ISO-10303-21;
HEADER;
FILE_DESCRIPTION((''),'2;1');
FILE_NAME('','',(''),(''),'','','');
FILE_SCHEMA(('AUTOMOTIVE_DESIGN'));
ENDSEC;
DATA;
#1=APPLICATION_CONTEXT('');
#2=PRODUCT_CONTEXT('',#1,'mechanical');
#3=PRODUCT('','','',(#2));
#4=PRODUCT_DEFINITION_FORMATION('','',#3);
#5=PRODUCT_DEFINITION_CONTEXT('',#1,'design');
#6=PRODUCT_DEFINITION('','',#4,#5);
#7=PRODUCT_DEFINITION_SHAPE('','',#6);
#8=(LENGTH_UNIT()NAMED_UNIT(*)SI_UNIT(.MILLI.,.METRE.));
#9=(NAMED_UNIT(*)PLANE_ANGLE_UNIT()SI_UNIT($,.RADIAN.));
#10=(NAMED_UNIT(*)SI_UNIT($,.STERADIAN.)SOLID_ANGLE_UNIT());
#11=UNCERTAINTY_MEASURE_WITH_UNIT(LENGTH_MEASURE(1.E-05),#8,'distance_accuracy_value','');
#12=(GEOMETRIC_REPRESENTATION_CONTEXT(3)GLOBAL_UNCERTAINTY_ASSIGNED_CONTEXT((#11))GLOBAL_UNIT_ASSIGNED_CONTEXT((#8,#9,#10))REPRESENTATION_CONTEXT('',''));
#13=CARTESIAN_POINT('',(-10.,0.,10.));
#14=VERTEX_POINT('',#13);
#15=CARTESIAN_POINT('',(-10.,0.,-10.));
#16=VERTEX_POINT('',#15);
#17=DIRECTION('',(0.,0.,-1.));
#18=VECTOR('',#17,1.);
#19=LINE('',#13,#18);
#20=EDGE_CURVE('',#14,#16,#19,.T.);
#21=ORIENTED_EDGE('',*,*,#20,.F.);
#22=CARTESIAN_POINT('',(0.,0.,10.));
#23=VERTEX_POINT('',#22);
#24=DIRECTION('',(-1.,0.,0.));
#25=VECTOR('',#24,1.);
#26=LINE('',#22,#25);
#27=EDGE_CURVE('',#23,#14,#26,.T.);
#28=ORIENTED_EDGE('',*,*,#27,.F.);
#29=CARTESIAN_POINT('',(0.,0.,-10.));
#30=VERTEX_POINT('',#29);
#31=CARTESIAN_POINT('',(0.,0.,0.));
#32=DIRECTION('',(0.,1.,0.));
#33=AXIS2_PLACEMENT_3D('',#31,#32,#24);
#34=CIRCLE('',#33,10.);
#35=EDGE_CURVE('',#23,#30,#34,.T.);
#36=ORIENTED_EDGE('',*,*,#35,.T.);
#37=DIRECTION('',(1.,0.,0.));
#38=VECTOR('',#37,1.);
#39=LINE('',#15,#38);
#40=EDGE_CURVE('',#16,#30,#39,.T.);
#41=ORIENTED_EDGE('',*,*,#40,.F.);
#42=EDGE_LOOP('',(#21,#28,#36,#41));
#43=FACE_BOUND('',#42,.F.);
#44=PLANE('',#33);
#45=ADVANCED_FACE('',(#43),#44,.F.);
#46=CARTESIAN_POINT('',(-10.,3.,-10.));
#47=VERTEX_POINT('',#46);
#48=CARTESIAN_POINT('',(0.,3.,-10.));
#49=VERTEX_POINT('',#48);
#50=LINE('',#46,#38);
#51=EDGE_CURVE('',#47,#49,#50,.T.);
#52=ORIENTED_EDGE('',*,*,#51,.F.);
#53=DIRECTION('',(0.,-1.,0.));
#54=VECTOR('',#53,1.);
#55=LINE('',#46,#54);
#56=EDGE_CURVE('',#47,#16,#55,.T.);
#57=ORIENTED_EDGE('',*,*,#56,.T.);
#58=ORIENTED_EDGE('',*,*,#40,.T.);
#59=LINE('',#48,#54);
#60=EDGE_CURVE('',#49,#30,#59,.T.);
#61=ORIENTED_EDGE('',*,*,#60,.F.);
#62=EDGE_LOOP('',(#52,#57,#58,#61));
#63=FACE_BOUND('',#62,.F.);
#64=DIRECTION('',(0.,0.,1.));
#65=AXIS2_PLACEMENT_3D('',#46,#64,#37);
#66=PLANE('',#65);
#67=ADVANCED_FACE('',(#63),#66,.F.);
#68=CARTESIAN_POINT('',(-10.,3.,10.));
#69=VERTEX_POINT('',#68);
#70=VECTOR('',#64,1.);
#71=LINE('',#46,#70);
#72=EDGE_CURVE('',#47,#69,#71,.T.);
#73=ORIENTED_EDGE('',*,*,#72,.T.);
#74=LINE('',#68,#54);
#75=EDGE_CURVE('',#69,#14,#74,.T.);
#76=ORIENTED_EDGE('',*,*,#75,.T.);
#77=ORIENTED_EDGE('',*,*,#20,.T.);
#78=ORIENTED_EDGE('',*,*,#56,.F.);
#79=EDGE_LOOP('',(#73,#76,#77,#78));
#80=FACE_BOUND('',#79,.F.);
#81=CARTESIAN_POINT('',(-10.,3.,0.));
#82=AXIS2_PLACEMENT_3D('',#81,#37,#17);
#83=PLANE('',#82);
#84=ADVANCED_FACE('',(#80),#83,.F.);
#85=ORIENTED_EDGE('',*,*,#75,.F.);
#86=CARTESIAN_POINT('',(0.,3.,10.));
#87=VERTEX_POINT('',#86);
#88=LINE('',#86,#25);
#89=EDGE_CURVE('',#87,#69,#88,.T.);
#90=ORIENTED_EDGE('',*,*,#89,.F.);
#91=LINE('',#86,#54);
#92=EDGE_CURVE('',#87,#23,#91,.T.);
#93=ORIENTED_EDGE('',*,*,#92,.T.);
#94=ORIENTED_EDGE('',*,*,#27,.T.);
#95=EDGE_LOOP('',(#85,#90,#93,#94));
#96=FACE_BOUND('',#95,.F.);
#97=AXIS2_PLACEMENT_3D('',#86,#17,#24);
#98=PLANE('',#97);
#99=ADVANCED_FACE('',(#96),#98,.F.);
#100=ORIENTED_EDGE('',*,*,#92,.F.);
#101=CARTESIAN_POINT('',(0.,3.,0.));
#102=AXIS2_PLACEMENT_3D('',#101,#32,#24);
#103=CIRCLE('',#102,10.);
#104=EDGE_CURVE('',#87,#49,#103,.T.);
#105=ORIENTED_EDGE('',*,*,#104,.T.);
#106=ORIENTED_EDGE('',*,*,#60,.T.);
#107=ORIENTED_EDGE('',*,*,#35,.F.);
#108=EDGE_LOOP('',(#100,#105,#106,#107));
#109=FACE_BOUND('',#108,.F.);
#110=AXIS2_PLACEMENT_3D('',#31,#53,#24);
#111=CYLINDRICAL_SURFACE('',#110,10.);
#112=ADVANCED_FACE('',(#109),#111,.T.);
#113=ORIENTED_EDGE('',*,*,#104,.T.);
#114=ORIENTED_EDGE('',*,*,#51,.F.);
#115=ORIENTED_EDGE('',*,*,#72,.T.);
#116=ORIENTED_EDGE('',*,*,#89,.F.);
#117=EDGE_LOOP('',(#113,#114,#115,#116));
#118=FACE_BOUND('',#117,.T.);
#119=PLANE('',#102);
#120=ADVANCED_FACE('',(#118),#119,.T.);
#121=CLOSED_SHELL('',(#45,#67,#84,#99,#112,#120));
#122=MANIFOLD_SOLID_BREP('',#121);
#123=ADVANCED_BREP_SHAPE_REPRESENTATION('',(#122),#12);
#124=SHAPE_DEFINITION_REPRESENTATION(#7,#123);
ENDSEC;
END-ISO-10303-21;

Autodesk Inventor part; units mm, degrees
ref_plane "YZ Plane" through (0, 0, 0) normal (1, 0, 0) x (0, 1, 0)
ref_plane "XZ Plane" through (0, 0, 0) normal (0, 1, 0) x (-1, 0, 0)
ref_plane "XY Plane" through (0, 0, 0) normal (0, 0, 1) x (1, 0, 0)
sketch "スケッチ1" plane through (0, 0, 0) normal (0, 1, 0) x (-1, 0, 0)
  circle A0 centre (0, 0) radius 10
  dimension "d0" = 20
extrude "押し出し1" add sketch "スケッチ1" along normal blind 3
sketch "スケッチ2" plane through (0, 3, 0) normal (0, 1, 0) x (1, 0, 0)
  circle A0 centre (0, 0) radius 10 projected
  line L0 (0, -10) -> (-10, -10)
  line L1 (-10, -10) -> (-10, 10)
  line L2 (-10, 10) -> (0, 10)
  line L3 (0, 10) -> (0, -10)
  circle A1 centre (0, 0) radius 10 projected
  point P0 (-10, 0)
extrude "押し出し2" add sketch "スケッチ2" against normal blind 3 contours A0 L1 L2 | L0 L1 A0
properties part number "サイクロイドギア想定" material "アルミニウム 6061"
